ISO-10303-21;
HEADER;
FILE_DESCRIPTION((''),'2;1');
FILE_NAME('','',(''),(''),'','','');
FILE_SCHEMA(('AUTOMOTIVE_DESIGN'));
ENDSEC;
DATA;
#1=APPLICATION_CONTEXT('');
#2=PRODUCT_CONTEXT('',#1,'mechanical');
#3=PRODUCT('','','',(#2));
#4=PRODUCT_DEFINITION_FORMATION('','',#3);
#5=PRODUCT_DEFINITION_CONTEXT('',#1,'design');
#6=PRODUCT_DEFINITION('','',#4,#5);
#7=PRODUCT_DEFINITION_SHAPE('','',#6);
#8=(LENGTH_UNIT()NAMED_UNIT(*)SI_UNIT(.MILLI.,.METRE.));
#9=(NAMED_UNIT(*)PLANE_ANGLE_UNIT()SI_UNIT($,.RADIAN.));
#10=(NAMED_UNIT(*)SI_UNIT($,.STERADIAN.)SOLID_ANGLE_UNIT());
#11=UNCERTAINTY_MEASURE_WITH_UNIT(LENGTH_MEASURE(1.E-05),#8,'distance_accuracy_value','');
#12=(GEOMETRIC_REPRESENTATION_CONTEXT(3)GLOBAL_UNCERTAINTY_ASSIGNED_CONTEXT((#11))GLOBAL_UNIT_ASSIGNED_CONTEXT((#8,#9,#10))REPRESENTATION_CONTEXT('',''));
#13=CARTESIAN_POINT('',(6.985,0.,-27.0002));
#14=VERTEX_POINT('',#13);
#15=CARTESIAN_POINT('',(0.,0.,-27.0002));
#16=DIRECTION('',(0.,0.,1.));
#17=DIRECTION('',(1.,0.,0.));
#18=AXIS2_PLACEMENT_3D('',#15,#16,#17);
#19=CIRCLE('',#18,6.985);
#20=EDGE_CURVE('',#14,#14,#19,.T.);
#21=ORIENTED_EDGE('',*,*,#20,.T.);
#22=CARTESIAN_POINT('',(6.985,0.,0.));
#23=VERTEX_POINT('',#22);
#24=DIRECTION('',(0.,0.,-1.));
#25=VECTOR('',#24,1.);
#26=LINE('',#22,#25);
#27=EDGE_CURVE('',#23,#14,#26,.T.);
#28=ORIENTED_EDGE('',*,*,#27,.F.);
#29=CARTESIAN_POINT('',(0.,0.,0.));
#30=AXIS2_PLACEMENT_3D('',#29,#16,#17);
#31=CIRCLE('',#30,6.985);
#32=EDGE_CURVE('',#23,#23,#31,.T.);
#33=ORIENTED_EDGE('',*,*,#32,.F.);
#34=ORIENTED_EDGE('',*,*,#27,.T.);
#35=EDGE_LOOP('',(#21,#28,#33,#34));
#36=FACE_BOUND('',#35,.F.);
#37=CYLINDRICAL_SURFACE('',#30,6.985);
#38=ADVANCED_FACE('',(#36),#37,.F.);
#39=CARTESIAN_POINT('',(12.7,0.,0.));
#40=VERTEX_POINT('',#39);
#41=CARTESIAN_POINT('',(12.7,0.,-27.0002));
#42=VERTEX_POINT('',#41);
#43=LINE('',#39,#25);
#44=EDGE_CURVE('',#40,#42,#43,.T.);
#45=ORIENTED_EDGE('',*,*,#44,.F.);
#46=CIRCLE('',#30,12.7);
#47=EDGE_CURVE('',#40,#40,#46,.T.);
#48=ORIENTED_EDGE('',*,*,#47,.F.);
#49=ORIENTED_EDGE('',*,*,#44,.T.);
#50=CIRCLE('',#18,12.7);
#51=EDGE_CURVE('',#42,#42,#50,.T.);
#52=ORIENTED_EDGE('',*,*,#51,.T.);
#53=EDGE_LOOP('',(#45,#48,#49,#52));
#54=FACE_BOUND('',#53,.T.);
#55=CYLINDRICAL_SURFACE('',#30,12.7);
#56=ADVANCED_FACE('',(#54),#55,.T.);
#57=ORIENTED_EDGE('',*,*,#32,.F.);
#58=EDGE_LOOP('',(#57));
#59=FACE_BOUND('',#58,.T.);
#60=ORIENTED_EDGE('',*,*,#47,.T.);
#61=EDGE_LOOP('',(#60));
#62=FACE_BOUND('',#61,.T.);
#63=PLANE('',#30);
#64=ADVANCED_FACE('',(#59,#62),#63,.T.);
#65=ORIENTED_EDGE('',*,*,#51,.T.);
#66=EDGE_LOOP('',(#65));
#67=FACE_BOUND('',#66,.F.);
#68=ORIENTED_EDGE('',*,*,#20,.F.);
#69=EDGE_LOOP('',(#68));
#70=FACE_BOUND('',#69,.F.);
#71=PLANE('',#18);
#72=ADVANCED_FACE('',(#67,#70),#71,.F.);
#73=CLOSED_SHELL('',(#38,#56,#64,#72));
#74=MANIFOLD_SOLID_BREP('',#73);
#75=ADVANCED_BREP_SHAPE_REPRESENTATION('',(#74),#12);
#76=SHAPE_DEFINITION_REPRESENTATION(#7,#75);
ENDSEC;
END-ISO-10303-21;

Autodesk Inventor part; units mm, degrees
ref_plane "YZ Plane" through (0, 0, 0) normal (1, 0, 0) x (0, 1, 0)
ref_plane "XZ Plane" through (0, 0, 0) normal (0, 1, 0) x (-1, 0, 0)
ref_plane "XY Plane" through (0, 0, 0) normal (0, 0, 1) x (1, 0, 0)
sketch "Sketch1" plane through (0, 0, 0) normal (0, 0, 1) x (1, 0, 0)
  circle A0 centre (0, 0) radius 12.7
  circle A1 centre (0, 0) radius 6.985
  dimension "d0" = 13.97
  dimension "d2" = 25.4
extrude "Extrusion1" add sketch "Sketch1" against normal blind 27.0002
properties part number "CH3-DiffBoxSpacersTop"
